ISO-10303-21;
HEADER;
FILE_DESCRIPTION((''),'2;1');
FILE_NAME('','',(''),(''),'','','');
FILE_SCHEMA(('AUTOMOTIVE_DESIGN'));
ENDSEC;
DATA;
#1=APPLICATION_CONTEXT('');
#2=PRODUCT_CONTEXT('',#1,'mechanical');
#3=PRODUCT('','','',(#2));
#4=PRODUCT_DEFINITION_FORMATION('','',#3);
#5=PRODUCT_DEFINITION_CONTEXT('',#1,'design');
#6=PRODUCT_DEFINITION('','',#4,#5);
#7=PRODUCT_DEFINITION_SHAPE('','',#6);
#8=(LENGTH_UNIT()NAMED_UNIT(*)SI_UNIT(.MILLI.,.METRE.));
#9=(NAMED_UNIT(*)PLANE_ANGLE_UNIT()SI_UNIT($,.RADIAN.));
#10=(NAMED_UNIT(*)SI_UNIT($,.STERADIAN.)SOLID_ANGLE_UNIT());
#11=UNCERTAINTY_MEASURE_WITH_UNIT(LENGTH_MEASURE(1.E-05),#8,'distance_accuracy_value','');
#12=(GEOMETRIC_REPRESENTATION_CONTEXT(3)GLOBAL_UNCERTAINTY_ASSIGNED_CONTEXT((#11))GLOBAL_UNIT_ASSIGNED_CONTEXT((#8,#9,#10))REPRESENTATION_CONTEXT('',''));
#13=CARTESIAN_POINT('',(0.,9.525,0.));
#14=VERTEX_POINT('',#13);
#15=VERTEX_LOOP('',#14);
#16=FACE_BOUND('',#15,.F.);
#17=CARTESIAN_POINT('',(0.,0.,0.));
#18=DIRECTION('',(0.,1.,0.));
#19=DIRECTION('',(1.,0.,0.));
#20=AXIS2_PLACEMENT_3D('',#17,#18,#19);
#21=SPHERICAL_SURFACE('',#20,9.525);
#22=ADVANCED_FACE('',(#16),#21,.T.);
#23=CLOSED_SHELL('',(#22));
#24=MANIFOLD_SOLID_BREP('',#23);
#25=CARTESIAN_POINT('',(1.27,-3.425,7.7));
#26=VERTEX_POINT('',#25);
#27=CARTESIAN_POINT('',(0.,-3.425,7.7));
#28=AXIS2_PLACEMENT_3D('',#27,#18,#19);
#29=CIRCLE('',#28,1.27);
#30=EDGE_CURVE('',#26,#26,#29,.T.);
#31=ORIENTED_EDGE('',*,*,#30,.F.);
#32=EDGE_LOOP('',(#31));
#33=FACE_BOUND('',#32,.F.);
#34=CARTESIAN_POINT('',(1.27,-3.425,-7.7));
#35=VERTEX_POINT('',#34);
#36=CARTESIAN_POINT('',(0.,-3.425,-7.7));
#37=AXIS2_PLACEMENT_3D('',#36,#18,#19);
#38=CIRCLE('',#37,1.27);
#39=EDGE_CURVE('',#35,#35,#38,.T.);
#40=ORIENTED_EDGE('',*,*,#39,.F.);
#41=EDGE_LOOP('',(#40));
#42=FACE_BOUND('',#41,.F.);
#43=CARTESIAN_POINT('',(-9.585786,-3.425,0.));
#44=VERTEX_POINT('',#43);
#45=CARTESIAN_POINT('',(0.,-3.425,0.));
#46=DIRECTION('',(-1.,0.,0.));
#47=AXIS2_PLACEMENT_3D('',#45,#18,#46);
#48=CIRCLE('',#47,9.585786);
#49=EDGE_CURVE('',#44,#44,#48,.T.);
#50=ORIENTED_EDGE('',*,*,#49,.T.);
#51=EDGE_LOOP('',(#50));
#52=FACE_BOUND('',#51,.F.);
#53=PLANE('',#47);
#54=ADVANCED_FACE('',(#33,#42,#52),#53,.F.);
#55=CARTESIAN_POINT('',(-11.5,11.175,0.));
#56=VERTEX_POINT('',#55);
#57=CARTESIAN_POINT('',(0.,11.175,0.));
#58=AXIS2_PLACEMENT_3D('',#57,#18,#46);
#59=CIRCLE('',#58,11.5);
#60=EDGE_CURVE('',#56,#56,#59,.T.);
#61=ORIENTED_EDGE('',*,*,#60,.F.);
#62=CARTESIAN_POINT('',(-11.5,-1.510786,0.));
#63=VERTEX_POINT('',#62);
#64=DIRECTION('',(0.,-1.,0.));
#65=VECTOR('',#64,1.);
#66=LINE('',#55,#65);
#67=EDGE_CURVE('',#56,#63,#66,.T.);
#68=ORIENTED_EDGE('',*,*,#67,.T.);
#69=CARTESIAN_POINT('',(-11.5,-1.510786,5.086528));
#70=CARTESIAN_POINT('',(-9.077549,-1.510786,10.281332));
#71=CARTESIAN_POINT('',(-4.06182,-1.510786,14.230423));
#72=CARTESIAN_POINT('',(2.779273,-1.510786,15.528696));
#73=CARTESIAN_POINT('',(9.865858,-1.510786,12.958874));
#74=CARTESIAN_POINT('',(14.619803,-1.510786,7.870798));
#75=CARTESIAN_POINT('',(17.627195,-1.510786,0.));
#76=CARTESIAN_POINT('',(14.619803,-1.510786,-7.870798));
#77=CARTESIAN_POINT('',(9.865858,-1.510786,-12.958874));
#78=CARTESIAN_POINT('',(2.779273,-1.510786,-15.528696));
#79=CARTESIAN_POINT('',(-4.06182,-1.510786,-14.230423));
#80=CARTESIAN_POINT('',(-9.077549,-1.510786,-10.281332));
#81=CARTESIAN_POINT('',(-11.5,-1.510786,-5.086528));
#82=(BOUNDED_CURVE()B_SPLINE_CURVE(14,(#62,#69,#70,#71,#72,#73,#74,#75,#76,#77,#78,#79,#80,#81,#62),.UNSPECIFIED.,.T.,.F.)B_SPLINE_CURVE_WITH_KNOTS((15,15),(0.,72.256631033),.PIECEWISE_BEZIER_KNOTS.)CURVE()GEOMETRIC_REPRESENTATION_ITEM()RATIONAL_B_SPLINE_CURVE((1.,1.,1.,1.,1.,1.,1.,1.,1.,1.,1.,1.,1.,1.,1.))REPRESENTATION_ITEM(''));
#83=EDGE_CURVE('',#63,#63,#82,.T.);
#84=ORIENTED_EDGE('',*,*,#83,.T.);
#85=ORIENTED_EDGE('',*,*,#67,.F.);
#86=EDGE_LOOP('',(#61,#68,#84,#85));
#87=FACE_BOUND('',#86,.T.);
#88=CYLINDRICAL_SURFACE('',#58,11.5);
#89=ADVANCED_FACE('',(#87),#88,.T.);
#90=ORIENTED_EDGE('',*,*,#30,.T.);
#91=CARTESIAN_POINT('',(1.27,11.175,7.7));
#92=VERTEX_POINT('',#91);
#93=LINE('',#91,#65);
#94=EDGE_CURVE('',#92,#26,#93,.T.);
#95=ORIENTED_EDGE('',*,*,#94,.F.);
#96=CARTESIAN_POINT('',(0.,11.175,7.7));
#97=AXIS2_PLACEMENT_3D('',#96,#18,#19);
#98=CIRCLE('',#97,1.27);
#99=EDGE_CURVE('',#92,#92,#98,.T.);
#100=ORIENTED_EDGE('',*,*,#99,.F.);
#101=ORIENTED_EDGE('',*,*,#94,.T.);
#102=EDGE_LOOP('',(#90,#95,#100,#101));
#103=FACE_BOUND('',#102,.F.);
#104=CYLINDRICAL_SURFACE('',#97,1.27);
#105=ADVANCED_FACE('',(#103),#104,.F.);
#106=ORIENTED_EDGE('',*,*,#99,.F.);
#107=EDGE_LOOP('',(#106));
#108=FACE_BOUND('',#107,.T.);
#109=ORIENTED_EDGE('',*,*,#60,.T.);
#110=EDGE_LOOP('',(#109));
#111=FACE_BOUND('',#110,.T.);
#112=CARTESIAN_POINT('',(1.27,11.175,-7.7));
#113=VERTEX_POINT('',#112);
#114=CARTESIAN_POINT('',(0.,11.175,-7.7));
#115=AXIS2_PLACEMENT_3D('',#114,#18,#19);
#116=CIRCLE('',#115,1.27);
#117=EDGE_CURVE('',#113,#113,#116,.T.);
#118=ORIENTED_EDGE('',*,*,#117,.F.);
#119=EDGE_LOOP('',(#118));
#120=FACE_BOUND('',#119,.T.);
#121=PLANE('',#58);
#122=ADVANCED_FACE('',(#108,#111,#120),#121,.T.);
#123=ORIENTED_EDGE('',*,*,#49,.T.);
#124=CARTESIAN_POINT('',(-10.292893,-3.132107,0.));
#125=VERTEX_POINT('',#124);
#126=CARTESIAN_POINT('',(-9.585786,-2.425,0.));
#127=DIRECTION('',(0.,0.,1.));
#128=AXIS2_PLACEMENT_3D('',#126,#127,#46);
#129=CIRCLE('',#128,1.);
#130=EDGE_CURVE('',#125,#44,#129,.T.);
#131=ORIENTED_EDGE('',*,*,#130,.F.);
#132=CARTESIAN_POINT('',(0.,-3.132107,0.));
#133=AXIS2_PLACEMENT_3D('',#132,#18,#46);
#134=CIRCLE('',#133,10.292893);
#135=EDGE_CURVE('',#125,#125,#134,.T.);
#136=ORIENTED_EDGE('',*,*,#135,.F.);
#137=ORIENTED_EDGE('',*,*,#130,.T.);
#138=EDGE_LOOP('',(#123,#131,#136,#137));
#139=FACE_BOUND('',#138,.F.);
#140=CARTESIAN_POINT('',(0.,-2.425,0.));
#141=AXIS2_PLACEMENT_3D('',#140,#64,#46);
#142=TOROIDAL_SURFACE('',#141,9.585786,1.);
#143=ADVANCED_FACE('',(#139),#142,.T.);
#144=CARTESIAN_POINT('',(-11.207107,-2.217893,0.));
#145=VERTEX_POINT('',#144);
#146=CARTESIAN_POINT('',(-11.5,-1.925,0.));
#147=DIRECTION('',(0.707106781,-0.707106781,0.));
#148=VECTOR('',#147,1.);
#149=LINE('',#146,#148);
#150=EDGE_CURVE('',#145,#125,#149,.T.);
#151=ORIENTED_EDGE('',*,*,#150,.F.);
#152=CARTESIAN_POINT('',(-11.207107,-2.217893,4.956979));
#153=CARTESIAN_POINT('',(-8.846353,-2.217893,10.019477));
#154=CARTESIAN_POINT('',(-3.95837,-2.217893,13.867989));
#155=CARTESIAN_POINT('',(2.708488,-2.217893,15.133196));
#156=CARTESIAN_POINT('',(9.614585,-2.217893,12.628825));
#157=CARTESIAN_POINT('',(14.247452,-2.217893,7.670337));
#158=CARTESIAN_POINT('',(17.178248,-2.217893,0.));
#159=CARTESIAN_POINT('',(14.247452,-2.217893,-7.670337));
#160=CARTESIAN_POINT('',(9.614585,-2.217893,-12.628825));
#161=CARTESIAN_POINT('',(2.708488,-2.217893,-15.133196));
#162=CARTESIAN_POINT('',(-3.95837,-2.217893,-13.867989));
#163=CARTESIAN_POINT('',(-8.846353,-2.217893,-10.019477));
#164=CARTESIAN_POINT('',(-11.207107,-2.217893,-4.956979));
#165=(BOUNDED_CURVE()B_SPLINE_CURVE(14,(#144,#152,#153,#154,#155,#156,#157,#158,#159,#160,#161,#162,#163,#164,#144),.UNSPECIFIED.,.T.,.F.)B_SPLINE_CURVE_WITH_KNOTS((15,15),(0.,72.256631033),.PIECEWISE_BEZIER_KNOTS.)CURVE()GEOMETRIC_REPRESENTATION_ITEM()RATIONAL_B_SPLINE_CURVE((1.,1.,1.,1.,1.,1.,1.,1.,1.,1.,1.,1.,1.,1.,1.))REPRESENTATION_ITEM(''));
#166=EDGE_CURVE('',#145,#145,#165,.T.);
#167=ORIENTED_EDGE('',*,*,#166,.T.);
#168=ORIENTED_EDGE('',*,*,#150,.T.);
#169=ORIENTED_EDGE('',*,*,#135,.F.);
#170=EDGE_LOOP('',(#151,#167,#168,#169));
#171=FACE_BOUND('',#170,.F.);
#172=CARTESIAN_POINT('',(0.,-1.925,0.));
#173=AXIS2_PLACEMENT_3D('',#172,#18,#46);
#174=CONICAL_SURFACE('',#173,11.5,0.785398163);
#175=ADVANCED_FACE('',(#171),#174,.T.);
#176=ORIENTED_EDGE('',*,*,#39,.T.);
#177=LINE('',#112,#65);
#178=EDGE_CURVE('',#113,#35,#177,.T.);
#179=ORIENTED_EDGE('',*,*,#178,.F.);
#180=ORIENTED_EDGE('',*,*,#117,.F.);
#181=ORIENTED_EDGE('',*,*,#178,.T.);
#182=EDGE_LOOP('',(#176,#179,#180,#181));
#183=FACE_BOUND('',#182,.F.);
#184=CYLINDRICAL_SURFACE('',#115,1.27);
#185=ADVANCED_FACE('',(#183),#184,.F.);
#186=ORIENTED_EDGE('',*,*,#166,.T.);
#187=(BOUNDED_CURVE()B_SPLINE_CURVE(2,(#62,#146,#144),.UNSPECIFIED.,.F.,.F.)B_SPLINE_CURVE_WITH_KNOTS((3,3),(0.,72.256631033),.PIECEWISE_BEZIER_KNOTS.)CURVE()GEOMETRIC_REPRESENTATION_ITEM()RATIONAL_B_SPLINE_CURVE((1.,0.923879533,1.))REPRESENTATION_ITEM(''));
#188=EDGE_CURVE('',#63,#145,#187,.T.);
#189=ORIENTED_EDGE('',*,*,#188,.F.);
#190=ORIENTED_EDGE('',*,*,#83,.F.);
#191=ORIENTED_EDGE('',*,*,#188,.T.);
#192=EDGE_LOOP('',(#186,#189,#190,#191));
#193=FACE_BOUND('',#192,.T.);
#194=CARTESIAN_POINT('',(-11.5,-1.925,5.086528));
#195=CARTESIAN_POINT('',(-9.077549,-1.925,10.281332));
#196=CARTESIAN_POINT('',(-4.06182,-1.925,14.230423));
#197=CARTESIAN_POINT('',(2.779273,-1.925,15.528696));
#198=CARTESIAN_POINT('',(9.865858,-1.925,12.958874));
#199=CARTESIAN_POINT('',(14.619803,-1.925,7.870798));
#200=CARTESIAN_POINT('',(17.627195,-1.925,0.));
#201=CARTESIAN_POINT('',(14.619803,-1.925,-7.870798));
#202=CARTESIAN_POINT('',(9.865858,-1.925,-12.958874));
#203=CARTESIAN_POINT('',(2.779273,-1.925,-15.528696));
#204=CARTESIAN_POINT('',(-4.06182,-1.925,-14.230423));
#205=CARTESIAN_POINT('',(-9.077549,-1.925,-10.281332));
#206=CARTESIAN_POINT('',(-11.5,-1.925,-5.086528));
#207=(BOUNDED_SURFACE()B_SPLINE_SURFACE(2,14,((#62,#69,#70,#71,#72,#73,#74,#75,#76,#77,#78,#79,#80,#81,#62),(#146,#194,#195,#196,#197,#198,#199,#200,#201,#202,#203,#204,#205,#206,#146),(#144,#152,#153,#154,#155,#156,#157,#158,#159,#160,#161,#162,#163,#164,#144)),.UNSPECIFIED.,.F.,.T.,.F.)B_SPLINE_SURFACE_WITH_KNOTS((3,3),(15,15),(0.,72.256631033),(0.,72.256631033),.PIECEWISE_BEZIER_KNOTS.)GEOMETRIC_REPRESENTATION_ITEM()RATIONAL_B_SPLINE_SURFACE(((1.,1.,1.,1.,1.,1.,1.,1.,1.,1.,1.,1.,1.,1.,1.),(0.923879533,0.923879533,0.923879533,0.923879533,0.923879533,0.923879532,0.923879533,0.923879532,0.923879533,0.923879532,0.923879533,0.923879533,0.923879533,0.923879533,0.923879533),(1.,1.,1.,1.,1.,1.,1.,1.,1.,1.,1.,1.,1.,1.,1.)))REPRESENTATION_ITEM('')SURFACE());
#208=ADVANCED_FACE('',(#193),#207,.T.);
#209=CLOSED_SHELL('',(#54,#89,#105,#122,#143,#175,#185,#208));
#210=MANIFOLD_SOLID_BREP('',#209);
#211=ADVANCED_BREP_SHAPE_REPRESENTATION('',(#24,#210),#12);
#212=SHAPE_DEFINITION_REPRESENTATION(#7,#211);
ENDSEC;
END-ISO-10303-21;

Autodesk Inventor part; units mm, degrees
ref_plane "YZ Plane" through (0, 0, 0) normal (1, 0, 0) x (0, 1, 0)
ref_plane "XY Plane" through (0, 0, 0) normal (0, 0, 1) x (1, 0, 0)
sketch "Sketch1" plane through (0, 0, 0) normal (0, 0, 1) x (1, 0, 0)
  line L0 (0, 9.525) -> (0, -9.525)
  arc A0 (0, -9.525) -> (0, 9.525) centre (0, 0) ccw
  dimension "d0" = 19.05
revolve "Revolution1" add sketch "Sketch1" angle 360 about axis through (0, 9.525, 0) along (0, -1, 0)
ref_plane "Work Plane1" through (0, 9.525, 0) normal (0, 1, 0) x (-1, 0, 0)
ref_plane "Work Plane3" through (0, 11.175, 0) normal (0, 1, 0) x (-1, 0, 0)
ref_plane "Work Plane2" through (0, -9.525, 0) normal (0, 1, 0) x (-1, 0, 0)
sketch "Sketch2" plane through (0, 11.175, 0) normal (0, 1, 0) x (-1, 0, 0)
  circle A0 centre (0, 0) radius 11.5
  dimension "d2" = 23
extrude "Extrusion1" add sketch "Sketch2" against normal blind 14.6 separate body
chamfer "Chamfer1" distance 1.5 angle 45 1 edges at (11.5, -3.425, 0)
fillet "Fillet1" radius 1 2 edges at (10, -3.425, 0) (11.5, -1.925, 0)
sketch "Sketch3" plane through (0, 11.175, 0) normal (0, 1, 0) x (1, 0, 0)
  line L0 (0, -7.7) -> (0, 7.7) construction
  circle A0 centre (0, -7.7) radius 1.27
  circle A1 centre (0, 7.7) radius 1.27
  point P0 (0, 0)
  point P1 (0, 0)
  dimension "d11" = 15.4
  dimension "d12" = 2.54
  dimension "d13" = 2.54
extrude "Extrusion2" cut sketch "Sketch3" against normal blind 14.6 bodies 2
properties part number "0.75in Ball Caster (Pololu)" material "Stainless Steel"
